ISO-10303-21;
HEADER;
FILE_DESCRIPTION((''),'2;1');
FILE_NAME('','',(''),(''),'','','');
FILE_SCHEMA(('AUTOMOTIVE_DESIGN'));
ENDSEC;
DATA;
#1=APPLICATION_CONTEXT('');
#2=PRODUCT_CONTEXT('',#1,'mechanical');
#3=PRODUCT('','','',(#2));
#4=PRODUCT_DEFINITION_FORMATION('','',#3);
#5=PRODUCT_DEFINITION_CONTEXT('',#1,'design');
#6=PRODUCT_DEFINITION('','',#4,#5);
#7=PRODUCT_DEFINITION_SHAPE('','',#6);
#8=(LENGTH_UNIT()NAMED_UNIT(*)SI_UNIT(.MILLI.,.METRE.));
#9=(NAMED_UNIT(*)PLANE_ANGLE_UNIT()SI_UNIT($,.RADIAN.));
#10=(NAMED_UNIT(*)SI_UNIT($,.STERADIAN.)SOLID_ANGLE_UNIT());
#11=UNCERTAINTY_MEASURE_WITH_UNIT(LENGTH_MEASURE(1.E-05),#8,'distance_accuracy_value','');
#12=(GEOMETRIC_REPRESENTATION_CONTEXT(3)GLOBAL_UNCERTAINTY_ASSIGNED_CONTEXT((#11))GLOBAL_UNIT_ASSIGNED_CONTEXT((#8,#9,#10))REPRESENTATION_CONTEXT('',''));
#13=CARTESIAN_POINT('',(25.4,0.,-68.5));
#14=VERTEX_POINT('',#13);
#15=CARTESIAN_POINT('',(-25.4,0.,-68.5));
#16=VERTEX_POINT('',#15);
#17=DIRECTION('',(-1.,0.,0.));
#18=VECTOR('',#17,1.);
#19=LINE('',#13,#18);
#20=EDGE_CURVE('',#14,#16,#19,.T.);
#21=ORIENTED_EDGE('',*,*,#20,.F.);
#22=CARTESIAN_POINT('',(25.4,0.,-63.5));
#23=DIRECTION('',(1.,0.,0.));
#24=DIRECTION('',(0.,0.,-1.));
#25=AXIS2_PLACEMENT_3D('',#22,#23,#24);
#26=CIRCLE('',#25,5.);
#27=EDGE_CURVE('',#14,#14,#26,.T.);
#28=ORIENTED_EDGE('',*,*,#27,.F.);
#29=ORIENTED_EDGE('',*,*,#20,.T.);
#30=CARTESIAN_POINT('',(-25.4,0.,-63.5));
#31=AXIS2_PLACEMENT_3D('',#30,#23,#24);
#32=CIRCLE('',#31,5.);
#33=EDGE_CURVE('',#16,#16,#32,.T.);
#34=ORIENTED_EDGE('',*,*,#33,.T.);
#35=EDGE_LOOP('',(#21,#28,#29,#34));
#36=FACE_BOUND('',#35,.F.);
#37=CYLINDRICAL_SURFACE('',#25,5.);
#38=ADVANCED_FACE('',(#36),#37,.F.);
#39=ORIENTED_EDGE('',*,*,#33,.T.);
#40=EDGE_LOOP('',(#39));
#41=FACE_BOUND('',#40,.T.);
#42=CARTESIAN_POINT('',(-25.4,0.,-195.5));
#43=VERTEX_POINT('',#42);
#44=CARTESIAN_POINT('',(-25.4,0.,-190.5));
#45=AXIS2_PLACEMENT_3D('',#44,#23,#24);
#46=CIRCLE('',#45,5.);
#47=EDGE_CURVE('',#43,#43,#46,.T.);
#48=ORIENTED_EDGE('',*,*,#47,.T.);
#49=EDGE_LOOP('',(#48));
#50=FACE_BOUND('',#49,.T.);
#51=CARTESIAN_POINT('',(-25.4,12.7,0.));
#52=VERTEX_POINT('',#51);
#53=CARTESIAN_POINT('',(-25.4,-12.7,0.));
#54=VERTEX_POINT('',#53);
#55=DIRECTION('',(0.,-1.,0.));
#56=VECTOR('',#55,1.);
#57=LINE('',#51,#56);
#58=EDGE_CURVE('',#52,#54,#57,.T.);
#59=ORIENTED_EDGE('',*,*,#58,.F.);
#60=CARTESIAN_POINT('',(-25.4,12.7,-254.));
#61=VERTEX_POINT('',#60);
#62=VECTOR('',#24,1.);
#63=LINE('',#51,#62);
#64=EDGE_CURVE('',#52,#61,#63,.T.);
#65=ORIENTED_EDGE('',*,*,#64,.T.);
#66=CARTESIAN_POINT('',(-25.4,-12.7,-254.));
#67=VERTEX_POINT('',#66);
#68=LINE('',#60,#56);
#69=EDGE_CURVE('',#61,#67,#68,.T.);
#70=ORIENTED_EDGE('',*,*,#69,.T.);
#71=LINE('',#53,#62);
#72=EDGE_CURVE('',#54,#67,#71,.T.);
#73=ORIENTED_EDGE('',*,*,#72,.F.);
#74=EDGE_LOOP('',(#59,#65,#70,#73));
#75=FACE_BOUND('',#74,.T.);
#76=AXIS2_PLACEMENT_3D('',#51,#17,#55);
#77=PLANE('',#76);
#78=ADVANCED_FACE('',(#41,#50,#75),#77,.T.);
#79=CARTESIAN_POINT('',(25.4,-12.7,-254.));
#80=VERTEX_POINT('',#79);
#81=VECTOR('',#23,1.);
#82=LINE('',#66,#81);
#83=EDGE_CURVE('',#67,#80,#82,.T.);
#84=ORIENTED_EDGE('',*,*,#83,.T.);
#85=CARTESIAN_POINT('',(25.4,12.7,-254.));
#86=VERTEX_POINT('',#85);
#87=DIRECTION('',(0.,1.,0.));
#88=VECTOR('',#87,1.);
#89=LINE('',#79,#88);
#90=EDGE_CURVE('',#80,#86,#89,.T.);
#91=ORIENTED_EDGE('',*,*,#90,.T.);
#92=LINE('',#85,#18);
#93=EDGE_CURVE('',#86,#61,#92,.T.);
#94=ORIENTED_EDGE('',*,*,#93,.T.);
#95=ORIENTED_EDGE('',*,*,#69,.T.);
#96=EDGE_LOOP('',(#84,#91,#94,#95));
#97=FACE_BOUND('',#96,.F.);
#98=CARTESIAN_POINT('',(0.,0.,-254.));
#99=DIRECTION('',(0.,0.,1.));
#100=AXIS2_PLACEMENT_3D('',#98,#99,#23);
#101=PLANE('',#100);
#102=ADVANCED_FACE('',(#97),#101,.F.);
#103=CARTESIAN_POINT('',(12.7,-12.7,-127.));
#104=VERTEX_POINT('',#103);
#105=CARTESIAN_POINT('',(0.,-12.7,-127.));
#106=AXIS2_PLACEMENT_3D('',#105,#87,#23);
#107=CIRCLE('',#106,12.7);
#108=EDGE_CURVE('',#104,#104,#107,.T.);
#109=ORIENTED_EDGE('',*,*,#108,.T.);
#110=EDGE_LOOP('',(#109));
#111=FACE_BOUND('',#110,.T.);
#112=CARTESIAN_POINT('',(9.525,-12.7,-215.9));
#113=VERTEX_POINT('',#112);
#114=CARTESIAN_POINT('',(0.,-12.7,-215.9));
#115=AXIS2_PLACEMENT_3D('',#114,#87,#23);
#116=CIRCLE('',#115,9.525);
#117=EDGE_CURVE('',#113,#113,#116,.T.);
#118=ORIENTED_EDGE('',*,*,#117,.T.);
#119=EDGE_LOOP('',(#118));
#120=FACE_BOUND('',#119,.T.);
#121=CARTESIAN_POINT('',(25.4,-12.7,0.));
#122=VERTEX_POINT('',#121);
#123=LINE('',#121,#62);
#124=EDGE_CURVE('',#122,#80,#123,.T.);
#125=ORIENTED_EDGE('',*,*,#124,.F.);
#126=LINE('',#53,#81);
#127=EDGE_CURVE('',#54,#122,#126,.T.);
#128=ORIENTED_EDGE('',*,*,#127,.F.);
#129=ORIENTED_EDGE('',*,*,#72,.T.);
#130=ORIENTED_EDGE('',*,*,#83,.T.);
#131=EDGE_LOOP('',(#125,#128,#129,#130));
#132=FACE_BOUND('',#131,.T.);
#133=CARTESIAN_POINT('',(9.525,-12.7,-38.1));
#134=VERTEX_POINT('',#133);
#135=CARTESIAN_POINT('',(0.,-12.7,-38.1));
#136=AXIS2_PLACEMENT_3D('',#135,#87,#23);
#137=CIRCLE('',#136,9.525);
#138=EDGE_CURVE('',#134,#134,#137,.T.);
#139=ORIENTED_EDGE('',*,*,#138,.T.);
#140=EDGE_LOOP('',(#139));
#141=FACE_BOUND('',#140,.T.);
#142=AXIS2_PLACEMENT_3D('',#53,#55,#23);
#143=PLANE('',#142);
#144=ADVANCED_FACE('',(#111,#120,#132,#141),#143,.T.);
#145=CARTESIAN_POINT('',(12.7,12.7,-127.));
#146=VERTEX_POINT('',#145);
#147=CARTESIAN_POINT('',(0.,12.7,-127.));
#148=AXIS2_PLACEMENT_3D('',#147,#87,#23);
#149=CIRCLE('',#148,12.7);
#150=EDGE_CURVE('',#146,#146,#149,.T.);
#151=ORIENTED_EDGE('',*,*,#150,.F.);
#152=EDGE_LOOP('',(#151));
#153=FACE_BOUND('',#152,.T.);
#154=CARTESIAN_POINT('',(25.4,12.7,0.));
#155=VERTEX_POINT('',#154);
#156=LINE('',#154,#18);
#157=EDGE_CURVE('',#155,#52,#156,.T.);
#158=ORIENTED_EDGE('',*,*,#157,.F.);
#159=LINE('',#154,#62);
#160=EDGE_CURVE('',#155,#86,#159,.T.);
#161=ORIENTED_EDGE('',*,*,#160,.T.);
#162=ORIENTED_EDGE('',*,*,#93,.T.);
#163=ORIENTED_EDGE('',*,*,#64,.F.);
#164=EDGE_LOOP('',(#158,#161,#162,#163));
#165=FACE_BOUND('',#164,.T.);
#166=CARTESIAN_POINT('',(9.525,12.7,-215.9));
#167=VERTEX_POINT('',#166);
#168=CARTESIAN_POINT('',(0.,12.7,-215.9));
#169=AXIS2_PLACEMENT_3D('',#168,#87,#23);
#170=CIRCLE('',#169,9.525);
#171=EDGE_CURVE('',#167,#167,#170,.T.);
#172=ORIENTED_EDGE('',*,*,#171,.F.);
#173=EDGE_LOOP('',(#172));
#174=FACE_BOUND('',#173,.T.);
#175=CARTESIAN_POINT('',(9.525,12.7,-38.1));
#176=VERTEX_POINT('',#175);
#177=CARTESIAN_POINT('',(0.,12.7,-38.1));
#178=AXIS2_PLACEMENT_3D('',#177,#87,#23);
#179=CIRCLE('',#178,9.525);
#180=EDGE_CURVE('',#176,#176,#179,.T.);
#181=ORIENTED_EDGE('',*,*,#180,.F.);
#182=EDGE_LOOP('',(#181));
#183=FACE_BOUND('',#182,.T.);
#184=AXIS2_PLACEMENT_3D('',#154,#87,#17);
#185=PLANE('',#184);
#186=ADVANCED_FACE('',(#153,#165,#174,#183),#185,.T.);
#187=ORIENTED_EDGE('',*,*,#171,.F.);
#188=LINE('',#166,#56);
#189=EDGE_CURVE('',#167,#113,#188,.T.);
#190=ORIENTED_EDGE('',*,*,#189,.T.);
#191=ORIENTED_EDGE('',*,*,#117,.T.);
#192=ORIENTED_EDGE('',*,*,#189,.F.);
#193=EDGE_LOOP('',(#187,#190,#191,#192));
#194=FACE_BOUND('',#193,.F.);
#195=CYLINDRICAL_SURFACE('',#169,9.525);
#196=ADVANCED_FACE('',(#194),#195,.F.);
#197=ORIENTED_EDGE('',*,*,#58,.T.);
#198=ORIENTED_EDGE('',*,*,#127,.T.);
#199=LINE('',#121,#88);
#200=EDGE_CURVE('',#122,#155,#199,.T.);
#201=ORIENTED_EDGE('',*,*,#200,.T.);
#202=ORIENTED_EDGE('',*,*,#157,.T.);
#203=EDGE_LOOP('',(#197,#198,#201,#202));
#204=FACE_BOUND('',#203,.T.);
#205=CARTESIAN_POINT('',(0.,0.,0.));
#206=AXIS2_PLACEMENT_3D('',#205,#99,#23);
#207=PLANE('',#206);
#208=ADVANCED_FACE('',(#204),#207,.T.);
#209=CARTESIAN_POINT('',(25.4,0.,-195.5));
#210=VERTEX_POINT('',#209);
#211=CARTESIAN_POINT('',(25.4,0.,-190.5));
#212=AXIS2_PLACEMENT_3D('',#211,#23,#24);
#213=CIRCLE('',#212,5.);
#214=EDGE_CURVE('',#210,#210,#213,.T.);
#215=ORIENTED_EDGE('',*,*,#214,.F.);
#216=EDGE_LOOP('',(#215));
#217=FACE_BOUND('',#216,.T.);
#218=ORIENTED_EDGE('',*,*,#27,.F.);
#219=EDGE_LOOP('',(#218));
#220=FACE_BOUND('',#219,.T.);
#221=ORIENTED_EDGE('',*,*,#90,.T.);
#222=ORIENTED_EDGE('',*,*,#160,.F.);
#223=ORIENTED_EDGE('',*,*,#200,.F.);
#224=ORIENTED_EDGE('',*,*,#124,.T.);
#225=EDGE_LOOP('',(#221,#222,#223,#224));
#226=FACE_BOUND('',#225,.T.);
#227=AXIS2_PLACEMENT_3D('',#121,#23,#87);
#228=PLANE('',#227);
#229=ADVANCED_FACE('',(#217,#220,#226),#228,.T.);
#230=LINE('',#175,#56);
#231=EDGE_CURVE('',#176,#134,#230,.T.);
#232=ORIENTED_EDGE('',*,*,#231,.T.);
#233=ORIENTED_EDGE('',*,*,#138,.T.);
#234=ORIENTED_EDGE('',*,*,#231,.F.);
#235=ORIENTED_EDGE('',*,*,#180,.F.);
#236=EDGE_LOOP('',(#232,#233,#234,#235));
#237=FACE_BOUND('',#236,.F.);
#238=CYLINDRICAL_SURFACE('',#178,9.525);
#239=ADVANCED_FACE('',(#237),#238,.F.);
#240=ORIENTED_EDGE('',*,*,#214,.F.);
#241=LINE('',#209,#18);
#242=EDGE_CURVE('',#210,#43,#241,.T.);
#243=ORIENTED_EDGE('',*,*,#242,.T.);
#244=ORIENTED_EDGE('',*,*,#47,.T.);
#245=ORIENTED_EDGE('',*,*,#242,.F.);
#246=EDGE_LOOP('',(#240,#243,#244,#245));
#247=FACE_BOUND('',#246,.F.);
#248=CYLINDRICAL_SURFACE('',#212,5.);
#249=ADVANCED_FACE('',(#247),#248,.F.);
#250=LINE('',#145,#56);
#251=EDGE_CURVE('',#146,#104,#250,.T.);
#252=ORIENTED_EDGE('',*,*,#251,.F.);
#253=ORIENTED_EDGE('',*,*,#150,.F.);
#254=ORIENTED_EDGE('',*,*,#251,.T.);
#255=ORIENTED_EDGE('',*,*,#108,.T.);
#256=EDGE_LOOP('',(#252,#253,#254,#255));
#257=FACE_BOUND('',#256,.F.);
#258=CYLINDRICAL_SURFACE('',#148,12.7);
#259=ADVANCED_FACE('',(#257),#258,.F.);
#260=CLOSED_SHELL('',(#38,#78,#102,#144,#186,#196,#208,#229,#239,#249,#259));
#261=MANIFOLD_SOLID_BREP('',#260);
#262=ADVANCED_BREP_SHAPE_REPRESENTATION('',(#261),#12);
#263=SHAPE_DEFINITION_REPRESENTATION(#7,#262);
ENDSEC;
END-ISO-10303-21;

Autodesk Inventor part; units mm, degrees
ref_plane "YZ Plane" through (0, 0, 0) normal (1, 0, 0) x (0, 1, 0)
ref_plane "XZ Plane" through (0, 0, 0) normal (0, 1, 0) x (-1, 0, 0)
ref_plane "XY Plane" through (0, 0, 0) normal (0, 0, 1) x (1, 0, 0)
sketch "Sketch1" plane through (0, 0, 0) normal (0, 0, 1) x (1, 0, 0)
  line L0 (-25.4, -12.7) -> (25.4, -12.7)
  line L1 (25.4, -12.7) -> (25.4, 12.7)
  line L2 (25.4, 12.7) -> (-25.4, 12.7)
  line L3 (-25.4, 12.7) -> (-25.4, -12.7)
  line L4 (-25.4, -12.7) -> (25.4, 12.7) construction
  line L5 (25.4, -12.7) -> (-25.4, 12.7) construction
  point P0 (0, 0)
  dimension "d0" = 25.4
  dimension "d1" = 50.8
extrude "Extrusion1" add sketch "Sketch1" against normal blind 254
sketch "Sketch2" plane through (-25.4, 12.7, 0) normal (0, 1, 0) x (1, 0, 0)
  circle A0 centre (25.4, 38.1) radius 9.525
  circle A1 centre (25.4, 215.9) radius 9.525
  line L0 (50.8, 0) -> (0, 0) projected
  line L1 (0, 0) -> (0, 254) projected
  circle A2 centre (25.4, 127) radius 12.7
  point P0 (25.4, 0)
  point P1 (25.4, 0)
  point P2 (0, 127)
  point P3 (0, 127)
  dimension "d4" = 19.05
  dimension "d5" = 88.9
  dimension "d6" = 177.8
  dimension "d9" = 25.4
extrude "Extrusion2" cut sketch "Sketch2" against normal blind 254
sketch "Sketch3" plane through (25.4, -12.7, 0) normal (1, 0, 0) x (0, 0, -1)
  circle A0 centre (63.5, 12.7) radius 5
  circle A1 centre (190.5, 12.7) radius 5
  line L0 (0, 25.4) -> (254, 25.4) projected
  line L1 (0, 0) -> (0, 25.4) projected
  point P0 (0, 12.7)
  point P1 (127, 25.4)
  point P2 (0, 12.7)
  dimension "d10" = 10
  dimension "d11" = 127
  dimension "d12" = 63.5
extrude "Extrusion3" cut sketch "Sketch3" against normal blind 254
properties part number "Metal Bar-2"
